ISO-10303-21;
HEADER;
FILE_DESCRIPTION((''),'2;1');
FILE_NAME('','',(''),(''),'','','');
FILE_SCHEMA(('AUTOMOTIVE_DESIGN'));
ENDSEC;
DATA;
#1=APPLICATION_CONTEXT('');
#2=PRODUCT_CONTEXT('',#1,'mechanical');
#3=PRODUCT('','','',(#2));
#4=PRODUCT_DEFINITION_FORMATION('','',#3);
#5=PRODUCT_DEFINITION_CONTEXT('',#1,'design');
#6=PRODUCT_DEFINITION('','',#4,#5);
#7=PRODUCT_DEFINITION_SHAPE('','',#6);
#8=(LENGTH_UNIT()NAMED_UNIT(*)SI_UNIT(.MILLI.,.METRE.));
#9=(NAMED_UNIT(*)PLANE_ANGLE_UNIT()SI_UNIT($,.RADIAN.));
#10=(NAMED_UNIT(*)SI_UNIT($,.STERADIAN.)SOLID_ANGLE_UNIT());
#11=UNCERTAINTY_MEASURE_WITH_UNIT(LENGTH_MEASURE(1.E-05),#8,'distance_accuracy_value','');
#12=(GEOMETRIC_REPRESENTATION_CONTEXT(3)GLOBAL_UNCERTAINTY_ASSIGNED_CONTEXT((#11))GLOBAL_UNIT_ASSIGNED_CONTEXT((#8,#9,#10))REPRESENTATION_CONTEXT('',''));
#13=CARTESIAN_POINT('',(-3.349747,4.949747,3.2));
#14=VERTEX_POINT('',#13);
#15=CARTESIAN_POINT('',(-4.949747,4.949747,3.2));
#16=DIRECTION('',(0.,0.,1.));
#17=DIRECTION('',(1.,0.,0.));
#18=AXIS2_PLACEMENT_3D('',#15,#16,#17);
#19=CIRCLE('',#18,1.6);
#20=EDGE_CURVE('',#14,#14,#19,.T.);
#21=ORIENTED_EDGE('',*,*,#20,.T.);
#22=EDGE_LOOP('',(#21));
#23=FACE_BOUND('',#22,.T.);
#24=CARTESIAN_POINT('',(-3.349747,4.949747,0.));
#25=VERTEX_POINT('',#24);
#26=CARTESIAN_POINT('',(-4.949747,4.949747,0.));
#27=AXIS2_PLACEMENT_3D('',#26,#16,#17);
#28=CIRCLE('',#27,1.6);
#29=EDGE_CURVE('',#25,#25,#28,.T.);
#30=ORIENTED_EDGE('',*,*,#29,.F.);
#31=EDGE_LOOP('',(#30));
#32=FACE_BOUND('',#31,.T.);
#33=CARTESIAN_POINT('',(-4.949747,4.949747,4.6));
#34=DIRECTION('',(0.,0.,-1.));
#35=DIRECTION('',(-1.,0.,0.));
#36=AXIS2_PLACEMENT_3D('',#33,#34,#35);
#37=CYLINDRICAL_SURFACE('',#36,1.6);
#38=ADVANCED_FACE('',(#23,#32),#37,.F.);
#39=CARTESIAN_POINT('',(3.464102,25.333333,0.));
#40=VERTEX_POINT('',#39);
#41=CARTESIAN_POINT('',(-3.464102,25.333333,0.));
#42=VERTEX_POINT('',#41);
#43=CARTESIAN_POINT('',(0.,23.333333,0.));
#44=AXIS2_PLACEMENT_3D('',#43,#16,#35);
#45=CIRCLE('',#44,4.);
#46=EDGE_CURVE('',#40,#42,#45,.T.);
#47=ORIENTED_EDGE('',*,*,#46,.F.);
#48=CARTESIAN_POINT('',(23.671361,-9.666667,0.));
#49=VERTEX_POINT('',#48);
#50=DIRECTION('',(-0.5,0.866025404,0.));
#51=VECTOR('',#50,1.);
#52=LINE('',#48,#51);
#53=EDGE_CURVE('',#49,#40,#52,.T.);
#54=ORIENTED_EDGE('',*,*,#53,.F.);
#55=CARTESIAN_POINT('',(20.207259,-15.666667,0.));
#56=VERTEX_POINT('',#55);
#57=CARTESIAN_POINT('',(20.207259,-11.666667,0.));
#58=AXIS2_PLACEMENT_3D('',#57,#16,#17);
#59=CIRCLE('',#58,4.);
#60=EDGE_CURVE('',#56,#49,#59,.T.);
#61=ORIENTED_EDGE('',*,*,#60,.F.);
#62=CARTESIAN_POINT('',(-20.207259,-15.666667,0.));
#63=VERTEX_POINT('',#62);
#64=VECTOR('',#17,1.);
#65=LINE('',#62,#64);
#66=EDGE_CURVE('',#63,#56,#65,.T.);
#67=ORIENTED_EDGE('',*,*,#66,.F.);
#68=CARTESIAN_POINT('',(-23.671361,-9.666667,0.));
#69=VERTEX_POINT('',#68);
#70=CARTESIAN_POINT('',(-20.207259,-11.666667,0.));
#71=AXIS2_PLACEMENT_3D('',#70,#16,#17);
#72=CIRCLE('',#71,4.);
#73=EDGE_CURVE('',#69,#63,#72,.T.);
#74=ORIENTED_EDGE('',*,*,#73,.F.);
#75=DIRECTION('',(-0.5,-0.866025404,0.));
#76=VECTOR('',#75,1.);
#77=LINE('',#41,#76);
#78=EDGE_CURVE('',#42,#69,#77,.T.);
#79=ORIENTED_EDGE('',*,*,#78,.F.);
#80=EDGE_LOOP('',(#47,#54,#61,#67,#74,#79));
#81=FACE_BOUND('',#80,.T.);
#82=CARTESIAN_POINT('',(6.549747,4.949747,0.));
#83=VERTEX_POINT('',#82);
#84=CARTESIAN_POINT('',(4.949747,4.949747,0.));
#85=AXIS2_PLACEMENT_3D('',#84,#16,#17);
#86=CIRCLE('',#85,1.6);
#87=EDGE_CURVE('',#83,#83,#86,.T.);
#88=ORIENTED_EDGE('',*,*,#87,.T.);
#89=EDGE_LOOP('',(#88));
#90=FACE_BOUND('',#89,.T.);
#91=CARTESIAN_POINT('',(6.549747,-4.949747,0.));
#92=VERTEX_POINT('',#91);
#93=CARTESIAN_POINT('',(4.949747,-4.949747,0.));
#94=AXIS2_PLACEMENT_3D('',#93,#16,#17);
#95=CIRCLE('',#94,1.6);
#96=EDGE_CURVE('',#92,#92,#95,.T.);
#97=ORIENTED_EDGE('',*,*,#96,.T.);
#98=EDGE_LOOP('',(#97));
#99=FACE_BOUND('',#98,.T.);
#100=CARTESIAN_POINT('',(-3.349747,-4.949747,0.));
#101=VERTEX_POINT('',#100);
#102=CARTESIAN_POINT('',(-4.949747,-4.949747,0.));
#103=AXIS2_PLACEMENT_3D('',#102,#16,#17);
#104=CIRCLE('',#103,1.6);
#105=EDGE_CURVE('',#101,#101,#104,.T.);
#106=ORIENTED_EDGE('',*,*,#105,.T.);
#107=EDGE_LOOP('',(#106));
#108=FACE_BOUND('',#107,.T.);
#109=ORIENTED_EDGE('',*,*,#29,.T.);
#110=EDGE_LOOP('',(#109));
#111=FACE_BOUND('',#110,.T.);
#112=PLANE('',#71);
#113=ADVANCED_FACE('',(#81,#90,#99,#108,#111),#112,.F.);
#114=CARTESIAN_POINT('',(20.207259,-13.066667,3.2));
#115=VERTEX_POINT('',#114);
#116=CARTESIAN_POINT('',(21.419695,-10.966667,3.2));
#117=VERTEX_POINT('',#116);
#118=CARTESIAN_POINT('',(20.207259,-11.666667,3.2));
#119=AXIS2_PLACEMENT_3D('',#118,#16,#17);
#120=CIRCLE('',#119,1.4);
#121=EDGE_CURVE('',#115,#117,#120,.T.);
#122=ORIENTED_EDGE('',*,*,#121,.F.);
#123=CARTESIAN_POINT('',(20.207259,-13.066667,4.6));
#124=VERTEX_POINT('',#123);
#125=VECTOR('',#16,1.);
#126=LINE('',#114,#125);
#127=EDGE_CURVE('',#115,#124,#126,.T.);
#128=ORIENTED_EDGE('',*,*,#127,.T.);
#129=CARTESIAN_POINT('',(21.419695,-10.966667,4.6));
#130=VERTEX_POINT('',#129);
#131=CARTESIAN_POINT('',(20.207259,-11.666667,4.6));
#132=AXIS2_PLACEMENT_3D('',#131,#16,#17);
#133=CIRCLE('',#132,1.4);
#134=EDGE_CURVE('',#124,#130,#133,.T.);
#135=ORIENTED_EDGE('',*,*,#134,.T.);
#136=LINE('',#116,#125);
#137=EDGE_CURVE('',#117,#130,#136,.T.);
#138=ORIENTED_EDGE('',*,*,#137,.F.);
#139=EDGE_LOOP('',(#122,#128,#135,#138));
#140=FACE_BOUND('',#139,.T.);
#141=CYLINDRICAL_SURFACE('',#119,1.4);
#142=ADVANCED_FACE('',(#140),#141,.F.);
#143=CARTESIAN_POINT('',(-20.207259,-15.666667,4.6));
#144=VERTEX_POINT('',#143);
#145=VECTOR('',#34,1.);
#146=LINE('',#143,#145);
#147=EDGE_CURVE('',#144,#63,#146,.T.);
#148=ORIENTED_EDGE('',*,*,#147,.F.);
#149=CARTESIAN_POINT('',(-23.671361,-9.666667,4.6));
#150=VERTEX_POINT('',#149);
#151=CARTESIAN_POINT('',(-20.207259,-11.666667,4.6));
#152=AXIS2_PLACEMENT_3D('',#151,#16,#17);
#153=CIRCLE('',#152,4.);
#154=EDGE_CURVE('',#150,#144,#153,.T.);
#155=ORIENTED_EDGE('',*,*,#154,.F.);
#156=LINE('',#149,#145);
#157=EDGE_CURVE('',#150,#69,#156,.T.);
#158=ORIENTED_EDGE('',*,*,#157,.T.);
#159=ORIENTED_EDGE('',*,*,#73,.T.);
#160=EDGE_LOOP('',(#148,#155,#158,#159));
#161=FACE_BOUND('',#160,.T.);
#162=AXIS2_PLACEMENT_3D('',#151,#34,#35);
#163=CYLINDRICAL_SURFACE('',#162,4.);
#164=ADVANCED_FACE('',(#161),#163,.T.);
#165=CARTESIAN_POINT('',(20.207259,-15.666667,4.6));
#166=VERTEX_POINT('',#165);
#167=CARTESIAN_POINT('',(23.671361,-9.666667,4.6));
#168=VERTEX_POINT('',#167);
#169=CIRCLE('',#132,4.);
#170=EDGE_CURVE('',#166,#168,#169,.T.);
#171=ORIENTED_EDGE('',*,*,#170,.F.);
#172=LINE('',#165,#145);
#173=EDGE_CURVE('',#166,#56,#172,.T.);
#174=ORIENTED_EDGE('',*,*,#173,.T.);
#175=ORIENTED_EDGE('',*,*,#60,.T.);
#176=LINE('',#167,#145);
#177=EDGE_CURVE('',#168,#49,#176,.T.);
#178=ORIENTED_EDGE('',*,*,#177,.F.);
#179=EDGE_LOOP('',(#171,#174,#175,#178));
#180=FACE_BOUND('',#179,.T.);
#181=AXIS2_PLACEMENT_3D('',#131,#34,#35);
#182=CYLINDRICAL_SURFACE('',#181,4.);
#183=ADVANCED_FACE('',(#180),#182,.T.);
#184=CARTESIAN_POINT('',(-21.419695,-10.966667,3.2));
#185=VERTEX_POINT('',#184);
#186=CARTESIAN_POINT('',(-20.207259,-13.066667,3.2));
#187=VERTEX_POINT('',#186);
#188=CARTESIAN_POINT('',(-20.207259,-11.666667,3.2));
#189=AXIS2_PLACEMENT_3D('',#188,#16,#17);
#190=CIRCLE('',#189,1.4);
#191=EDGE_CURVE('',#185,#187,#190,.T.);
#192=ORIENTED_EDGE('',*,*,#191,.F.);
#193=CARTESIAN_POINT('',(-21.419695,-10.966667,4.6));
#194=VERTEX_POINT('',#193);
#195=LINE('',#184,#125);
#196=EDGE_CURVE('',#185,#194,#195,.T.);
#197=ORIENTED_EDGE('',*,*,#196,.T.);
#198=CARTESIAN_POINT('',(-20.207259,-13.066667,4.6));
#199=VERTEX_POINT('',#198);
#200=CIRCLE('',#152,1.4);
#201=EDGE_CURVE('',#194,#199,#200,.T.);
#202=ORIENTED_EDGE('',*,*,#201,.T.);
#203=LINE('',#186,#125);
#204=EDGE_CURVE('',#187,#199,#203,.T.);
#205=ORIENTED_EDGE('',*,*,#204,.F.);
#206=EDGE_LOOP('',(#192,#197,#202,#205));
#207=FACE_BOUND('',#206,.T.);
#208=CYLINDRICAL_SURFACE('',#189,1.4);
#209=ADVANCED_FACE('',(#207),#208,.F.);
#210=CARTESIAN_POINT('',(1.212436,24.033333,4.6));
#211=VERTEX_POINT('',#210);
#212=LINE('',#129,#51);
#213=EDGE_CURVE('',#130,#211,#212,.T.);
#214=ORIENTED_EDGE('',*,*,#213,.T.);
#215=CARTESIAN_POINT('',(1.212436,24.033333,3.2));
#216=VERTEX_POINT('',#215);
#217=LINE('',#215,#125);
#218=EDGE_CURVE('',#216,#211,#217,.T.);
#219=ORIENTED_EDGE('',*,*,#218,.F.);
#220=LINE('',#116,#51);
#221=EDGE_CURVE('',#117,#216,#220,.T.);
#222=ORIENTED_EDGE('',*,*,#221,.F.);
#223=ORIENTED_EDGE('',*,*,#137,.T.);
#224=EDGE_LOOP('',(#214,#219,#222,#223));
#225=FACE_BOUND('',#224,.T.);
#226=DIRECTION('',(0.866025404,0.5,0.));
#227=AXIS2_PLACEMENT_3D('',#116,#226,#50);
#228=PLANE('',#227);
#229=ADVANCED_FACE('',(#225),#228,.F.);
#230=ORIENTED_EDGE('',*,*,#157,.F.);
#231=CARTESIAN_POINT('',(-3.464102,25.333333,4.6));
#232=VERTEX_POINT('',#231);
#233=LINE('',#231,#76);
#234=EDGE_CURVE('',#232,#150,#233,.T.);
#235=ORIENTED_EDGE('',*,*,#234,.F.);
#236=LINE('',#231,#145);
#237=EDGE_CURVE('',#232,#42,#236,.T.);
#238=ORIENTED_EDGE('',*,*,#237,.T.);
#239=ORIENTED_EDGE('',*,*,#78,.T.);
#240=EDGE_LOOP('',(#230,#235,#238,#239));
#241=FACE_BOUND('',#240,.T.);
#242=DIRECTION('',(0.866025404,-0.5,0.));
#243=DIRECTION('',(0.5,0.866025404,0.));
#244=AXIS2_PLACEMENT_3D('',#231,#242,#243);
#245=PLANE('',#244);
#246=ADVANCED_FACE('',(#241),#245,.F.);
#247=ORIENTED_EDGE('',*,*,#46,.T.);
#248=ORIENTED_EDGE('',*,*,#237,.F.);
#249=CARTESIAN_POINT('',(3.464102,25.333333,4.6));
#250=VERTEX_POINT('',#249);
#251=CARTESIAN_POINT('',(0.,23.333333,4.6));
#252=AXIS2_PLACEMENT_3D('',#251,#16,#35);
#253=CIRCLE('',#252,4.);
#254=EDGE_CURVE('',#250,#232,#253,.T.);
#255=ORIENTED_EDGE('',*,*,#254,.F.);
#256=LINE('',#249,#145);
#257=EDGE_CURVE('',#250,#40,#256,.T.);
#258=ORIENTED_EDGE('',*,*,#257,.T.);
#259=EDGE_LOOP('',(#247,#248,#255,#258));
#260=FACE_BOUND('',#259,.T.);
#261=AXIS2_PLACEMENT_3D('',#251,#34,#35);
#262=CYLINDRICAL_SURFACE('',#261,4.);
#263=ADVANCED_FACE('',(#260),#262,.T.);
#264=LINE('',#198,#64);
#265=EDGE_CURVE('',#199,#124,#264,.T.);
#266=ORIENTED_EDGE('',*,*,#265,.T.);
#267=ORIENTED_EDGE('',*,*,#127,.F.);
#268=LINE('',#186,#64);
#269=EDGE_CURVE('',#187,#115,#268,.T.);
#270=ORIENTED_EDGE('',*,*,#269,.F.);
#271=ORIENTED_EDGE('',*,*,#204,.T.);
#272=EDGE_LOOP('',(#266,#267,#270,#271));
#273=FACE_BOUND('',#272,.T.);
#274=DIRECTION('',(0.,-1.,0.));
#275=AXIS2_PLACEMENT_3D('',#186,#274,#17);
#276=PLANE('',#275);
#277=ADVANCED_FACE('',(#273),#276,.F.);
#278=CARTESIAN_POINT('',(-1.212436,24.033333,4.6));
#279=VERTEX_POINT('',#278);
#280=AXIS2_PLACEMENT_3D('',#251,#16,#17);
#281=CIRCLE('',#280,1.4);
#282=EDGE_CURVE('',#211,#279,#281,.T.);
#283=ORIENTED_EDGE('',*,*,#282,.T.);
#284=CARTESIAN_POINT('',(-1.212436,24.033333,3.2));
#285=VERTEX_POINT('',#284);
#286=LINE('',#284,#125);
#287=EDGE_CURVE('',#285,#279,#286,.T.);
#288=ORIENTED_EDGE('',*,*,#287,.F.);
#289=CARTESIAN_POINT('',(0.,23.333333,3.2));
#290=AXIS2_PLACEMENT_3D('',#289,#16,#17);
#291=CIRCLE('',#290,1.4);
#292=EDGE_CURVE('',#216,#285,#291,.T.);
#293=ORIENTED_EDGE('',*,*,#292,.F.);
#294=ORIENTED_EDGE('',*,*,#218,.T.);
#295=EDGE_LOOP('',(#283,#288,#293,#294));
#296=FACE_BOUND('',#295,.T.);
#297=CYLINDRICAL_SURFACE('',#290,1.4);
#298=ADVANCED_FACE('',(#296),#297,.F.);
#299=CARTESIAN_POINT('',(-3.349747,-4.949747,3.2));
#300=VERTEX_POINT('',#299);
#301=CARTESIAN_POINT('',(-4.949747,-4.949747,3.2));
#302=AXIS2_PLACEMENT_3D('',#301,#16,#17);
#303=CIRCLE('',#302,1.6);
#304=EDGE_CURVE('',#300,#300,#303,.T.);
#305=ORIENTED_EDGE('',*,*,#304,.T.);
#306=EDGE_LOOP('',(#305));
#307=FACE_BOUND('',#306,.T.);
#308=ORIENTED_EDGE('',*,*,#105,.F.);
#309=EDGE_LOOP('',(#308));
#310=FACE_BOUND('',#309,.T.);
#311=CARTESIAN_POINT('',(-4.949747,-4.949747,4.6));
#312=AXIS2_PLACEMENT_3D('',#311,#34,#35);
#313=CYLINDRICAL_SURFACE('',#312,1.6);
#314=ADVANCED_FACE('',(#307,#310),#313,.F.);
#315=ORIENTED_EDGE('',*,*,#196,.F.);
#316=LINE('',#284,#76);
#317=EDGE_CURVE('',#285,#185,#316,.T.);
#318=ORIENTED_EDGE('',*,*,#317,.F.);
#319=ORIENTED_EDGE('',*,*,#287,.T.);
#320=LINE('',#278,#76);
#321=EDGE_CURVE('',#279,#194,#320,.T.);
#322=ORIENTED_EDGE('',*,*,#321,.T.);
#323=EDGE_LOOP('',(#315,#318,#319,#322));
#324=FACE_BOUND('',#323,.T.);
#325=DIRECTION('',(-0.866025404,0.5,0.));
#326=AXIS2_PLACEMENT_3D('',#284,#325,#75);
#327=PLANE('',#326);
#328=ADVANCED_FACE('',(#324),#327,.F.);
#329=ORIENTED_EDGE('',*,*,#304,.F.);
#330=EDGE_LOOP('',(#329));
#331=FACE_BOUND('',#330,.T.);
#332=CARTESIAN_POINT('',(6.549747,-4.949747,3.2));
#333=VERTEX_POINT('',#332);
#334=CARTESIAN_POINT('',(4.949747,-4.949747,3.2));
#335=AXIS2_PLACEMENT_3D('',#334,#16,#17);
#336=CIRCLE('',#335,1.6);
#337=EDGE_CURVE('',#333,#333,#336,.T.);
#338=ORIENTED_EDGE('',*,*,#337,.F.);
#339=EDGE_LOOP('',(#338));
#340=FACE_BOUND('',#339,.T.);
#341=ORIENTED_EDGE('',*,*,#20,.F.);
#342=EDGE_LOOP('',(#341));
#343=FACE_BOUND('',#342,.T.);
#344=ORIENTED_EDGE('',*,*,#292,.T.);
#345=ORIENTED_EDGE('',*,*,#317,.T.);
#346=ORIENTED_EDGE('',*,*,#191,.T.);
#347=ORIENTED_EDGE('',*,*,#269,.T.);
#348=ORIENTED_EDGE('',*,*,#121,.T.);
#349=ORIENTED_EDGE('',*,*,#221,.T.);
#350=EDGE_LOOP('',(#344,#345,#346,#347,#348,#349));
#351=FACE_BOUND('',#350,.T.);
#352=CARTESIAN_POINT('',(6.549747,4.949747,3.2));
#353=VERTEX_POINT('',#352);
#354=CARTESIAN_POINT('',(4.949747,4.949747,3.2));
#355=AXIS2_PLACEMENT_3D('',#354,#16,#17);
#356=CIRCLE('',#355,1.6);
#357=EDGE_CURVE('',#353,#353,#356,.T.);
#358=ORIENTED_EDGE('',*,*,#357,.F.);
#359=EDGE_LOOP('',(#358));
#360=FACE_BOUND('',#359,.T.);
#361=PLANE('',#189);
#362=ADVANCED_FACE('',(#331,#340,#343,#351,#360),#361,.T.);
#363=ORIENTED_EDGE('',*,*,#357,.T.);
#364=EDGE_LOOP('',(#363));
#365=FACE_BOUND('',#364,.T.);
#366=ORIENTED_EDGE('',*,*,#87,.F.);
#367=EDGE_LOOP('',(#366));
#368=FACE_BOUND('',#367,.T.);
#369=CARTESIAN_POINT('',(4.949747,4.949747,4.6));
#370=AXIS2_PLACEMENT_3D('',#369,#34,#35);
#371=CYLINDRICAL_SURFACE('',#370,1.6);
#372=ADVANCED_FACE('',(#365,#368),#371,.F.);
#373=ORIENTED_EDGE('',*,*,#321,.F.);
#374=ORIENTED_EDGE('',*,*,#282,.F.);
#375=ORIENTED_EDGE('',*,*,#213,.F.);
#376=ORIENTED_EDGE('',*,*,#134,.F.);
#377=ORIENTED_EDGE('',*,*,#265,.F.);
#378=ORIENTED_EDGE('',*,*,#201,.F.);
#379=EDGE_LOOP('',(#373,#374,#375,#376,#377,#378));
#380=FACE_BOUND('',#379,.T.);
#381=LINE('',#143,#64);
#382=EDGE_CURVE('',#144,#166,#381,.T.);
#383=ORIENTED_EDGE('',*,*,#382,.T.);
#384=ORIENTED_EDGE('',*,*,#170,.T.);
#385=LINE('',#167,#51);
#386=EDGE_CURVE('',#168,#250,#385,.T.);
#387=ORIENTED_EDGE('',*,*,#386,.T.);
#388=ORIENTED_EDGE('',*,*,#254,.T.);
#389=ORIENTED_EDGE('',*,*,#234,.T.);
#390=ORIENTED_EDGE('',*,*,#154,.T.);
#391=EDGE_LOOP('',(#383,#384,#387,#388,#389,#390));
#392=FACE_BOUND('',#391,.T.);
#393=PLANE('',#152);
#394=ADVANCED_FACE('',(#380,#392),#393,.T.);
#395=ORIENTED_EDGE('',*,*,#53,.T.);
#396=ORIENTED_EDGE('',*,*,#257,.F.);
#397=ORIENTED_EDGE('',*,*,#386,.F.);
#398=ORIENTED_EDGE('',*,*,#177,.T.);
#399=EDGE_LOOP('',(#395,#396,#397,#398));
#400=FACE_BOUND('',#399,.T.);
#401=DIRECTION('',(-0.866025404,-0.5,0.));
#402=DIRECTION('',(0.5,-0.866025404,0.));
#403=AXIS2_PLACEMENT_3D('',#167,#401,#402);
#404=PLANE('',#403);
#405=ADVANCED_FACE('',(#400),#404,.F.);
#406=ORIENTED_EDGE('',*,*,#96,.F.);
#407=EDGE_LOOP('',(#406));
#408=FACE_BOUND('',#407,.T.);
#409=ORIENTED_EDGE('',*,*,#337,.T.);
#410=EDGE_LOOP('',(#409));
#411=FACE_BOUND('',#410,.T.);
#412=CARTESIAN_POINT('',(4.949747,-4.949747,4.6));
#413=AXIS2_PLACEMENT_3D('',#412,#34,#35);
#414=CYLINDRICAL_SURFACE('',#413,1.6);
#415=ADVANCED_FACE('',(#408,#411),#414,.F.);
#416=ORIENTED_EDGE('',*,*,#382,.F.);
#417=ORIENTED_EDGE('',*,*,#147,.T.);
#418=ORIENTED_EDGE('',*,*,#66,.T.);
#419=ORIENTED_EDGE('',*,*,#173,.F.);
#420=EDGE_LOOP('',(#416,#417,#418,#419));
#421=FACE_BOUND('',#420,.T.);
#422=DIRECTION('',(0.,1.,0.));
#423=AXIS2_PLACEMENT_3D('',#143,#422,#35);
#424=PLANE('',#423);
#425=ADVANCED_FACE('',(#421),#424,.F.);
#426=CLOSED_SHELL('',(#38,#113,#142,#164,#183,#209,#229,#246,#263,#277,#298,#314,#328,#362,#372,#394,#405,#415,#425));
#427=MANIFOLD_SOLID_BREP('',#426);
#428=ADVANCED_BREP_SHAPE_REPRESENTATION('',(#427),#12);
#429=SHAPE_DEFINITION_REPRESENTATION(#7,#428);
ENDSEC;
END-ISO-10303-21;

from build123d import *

# Parameters (mm, degrees)
SKETCH1_R           = 1.6
BOSS_EXTRUDE1_DEPTH = 4.6
CUT_EXTRUDE3_DEPTH  = 1.4


with BuildPart() as part:
    # Sketch1 → Boss-Extrude1 (new body)
    with BuildSketch(Plane.XY):
        with BuildLine():
            Line((-3.464101615, 25.333333333), (-23.671361037, -9.666666667))
            ThreePointArc((-23.671361037, -9.666666667), (-23.671361037, -13.666666667), (-20.207259422, -15.666666667))
            Line((-20.207259422, -15.666666667), (20.207259422, -15.666666667))
            ThreePointArc((20.207259422, -15.666666667), (23.671361037, -13.666666667), (23.671361037, -9.666666667))
            Line((23.671361037, -9.666666667), (3.464101615, 25.333333333))
            ThreePointArc((3.464101615, 25.333333333), (0, 27.333333333), (-3.464101615, 25.333333333))
        make_face()
        with Locations((-4.949747468, 4.949747468)):
            Circle(SKETCH1_R, mode=Mode.SUBTRACT)
        with Locations((4.949747468, 4.949747468)):
            Circle(SKETCH1_R, mode=Mode.SUBTRACT)
        with Locations((4.949747468, -4.949747468)):
            Circle(SKETCH1_R, mode=Mode.SUBTRACT)
        with Locations((-4.949747468, -4.949747468)):
            Circle(SKETCH1_R, mode=Mode.SUBTRACT)
    extrude(amount=BOSS_EXTRUDE1_DEPTH)

    # Sketch4 → Cut-Extrude3 (cut)
    with BuildSketch(Plane.XY.offset(4.6)):
        with BuildLine():
            Line((-20.207259422, -13.066666667), (20.207259422, -13.066666667))
            ThreePointArc((20.207259422, -13.066666667), (21.419694987, -12.366666667), (21.419694987, -10.966666667))
            Line((21.419694987, -10.966666667), (1.212435565, 24.033333333))
            ThreePointArc((1.212435565, 24.033333333), (0, 24.733333333), (-1.212435565, 24.033333333))
            Line((-1.212435565, 24.033333333), (-21.419694987, -10.966666667))
            ThreePointArc((-21.419694987, -10.966666667), (-21.419694987, -12.366666667), (-20.207259422, -13.066666667))
        make_face()
    extrude(amount=-CUT_EXTRUDE3_DEPTH, mode=Mode.SUBTRACT)


solid = part.part
